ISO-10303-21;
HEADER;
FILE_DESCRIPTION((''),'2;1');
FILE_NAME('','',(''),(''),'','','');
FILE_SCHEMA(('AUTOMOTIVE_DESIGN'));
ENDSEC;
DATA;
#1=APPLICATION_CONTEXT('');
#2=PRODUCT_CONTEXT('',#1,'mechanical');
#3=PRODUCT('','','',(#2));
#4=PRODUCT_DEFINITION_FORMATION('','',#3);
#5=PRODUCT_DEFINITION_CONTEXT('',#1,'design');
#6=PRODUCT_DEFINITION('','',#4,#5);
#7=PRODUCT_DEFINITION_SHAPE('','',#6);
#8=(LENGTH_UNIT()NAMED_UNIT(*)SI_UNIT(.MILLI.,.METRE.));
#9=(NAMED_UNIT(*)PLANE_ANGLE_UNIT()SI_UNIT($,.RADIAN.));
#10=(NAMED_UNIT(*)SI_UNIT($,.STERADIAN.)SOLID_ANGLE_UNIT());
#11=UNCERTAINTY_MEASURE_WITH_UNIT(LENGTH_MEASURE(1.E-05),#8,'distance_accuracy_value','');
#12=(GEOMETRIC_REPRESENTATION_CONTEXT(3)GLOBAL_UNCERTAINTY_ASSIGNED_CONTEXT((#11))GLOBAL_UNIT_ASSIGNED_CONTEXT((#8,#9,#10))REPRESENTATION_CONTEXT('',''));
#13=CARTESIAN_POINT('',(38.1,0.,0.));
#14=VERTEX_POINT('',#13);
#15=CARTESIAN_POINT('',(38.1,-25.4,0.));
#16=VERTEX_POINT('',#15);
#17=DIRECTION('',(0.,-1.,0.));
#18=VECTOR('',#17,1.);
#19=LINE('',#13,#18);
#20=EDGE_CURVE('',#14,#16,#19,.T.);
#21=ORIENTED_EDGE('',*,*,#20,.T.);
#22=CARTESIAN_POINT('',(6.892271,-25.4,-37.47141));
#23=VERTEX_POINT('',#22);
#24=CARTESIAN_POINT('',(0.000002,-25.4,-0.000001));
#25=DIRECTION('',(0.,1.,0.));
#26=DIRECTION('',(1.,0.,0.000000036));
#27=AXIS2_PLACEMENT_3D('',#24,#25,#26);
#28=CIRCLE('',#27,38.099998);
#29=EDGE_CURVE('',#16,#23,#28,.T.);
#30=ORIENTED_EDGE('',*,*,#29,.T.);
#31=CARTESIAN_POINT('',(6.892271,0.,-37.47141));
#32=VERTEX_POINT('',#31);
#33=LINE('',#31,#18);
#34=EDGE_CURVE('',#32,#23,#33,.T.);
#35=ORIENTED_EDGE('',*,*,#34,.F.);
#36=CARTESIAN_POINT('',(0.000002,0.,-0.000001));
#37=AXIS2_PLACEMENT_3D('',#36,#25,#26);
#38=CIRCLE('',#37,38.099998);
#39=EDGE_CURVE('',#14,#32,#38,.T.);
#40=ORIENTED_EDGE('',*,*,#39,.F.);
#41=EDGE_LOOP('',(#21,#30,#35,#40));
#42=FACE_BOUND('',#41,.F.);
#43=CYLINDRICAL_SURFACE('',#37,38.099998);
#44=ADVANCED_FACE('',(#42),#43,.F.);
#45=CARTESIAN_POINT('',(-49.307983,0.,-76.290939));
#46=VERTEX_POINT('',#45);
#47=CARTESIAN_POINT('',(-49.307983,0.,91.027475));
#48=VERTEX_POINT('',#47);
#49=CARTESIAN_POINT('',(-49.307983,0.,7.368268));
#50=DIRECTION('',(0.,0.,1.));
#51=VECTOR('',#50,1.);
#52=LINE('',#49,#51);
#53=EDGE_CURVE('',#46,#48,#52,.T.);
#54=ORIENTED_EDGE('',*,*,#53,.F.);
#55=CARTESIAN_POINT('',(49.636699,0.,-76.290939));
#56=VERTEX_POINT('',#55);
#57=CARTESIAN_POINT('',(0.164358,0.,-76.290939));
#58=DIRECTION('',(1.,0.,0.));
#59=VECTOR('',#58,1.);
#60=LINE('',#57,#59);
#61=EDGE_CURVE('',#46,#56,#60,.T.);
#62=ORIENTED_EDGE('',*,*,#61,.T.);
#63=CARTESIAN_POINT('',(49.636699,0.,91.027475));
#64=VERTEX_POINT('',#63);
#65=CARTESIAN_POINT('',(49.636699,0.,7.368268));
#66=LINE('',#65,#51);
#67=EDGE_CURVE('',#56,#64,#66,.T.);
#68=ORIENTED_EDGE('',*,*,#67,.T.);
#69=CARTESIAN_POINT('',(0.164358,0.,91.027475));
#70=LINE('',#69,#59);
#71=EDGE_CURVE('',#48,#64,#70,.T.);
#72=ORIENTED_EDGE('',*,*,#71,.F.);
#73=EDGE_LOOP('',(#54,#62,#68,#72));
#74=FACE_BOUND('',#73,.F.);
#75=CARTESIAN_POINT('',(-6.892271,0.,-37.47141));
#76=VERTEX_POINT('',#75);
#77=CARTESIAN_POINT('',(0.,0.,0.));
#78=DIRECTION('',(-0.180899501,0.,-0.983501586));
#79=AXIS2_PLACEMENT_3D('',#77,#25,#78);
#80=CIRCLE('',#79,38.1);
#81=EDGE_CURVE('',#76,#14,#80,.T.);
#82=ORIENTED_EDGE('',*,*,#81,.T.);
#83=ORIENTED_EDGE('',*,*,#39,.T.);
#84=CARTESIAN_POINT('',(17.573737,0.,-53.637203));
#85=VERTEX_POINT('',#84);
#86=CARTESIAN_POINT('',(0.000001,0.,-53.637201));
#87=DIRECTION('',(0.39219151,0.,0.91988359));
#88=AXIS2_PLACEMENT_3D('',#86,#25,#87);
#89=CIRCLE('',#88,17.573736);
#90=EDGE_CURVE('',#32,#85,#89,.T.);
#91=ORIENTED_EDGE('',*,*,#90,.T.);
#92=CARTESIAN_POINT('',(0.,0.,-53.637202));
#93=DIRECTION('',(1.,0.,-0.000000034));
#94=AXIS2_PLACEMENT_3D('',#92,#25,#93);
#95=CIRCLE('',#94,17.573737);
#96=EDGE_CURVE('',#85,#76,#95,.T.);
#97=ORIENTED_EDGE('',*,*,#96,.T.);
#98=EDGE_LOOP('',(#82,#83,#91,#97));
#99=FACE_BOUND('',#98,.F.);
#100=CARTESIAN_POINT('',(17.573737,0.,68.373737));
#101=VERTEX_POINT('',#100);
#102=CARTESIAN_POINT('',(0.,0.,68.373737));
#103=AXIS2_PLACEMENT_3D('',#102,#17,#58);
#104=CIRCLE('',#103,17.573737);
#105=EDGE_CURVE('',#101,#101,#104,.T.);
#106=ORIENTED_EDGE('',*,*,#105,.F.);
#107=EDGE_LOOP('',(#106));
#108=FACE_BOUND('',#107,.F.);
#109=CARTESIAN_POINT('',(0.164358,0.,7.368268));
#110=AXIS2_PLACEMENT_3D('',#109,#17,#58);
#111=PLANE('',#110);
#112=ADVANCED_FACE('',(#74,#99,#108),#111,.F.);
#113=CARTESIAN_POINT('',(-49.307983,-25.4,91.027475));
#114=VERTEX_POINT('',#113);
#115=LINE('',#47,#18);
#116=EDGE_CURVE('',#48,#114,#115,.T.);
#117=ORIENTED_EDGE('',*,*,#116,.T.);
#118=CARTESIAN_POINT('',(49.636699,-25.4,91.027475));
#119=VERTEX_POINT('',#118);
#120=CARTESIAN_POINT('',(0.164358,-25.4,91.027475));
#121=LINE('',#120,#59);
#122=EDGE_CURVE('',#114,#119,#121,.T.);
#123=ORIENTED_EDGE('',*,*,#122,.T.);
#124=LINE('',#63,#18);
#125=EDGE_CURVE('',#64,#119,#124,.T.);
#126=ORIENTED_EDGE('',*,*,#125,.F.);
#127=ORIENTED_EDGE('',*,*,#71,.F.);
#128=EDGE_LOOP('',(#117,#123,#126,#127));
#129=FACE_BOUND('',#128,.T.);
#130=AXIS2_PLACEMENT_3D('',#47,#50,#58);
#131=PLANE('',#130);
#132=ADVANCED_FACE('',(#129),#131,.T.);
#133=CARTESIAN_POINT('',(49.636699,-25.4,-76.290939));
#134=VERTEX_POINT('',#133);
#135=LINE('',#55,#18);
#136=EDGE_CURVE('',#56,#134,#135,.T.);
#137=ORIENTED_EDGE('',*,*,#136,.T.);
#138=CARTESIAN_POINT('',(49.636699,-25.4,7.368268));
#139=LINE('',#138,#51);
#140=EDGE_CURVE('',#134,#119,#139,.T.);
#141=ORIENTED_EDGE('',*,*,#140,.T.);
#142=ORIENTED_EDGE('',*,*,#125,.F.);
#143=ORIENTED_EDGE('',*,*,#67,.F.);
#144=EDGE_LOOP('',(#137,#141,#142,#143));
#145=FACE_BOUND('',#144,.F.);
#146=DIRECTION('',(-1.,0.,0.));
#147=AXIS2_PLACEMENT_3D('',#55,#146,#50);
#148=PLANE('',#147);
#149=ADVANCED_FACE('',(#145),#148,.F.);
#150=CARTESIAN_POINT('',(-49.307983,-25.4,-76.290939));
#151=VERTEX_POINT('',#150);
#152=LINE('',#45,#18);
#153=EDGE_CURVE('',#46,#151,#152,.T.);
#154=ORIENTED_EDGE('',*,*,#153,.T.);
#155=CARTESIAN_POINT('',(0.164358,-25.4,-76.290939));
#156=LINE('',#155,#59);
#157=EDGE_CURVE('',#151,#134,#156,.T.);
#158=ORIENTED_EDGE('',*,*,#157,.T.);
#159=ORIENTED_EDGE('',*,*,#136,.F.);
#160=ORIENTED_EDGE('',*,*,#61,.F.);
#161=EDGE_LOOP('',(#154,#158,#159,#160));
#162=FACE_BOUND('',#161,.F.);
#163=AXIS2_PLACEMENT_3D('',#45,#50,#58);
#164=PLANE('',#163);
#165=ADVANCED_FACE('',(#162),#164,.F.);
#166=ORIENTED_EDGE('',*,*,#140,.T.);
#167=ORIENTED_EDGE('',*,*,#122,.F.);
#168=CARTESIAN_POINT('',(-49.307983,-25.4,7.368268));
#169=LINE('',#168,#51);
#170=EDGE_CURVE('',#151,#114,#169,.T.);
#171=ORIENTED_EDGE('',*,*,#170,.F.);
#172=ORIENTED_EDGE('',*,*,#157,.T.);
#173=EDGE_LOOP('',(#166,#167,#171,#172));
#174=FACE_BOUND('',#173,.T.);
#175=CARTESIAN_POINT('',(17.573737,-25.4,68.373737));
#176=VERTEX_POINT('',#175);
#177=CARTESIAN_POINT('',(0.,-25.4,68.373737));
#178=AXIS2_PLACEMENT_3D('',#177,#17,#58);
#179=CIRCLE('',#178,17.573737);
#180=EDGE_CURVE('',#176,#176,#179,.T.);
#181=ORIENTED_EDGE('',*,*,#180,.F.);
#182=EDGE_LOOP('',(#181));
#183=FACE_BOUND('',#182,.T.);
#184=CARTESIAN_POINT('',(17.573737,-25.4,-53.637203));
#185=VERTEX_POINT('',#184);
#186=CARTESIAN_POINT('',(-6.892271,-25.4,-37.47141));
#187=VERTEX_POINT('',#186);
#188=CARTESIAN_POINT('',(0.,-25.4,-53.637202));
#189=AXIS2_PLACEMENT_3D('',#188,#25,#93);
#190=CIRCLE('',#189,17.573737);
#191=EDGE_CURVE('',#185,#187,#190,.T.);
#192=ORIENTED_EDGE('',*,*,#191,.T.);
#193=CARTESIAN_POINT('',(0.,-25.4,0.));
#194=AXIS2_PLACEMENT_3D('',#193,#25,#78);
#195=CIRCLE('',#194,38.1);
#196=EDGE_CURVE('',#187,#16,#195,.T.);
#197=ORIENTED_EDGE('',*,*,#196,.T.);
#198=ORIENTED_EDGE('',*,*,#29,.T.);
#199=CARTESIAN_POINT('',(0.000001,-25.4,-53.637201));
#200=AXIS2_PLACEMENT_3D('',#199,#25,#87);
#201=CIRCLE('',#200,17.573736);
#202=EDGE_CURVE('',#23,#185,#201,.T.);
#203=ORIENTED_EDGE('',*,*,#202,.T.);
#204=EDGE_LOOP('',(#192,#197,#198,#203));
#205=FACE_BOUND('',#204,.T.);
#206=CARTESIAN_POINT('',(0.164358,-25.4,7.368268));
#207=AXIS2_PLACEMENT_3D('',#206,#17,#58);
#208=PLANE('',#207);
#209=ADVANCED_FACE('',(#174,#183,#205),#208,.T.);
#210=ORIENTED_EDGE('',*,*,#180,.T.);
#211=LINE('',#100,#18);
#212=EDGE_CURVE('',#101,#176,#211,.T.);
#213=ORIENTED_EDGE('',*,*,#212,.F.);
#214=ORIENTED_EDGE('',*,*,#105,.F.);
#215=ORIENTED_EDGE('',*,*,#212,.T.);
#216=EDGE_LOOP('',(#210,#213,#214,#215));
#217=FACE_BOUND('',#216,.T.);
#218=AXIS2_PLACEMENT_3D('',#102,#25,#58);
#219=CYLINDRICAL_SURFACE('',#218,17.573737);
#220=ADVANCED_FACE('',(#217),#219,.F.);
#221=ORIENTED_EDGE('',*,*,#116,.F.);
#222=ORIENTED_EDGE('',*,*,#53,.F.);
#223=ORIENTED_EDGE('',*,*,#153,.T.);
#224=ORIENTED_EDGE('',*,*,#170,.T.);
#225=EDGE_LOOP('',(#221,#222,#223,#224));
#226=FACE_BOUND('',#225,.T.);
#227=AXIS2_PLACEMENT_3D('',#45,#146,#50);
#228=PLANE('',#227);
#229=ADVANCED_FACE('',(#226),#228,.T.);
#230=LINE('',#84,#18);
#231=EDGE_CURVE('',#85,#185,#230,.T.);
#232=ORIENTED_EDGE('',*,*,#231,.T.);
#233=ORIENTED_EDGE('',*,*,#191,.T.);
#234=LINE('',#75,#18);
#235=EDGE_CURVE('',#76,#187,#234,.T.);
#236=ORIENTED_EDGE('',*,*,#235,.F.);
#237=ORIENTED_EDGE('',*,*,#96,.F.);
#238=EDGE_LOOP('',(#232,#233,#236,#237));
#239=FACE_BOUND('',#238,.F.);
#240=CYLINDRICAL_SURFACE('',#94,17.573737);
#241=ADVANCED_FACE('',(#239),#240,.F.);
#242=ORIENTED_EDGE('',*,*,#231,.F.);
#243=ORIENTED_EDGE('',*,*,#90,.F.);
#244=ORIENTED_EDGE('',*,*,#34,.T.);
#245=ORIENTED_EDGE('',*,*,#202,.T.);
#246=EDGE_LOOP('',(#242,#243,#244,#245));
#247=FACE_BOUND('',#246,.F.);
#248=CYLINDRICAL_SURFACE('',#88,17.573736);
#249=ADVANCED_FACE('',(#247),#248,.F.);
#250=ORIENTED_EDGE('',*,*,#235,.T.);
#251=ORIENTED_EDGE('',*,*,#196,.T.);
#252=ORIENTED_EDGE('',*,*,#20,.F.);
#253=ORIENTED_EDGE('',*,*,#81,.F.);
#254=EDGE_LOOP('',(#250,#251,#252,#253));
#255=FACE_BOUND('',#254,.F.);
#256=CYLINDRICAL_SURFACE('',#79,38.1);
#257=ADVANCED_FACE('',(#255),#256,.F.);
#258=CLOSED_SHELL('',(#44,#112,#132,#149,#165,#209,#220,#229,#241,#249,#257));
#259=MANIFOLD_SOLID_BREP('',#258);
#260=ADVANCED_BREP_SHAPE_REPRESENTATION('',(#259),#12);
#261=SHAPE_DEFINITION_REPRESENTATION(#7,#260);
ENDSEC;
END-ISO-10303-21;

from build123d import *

# Parameters (mm, degrees)
F0_W     = 98.944682
F0_H     = 167.318415
F0_R     = 17.573737
F1_DEPTH = 25.4


with BuildPart() as f1:
    # F0 (on Front) → F1 (new body)
    with BuildSketch(Plane.XZ):
        with Locations((0.164358, 7.368268)):
            Rectangle(F0_W, F0_H)
        with BuildLine():
            ThreePointArc((-6.892271, -37.47141), (-24.382519, 29.276318), (38.1, 0))
            ThreePointArc((38.1, 0), (29.276318, -24.382519), (6.892271, -37.47141))
            ThreePointArc((6.892271, -37.47141), (14.662183, -43.949239), (17.573737, -53.637203))
            ThreePointArc((17.573737, -53.637203), (-9.687964, -68.299385), (-6.892271, -37.47141))
        make_face(mode=Mode.SUBTRACT)
        with Locations((0, 68.373737)):
            Circle(F0_R, mode=Mode.SUBTRACT)
    extrude(amount=F1_DEPTH)


solid = f1.part
